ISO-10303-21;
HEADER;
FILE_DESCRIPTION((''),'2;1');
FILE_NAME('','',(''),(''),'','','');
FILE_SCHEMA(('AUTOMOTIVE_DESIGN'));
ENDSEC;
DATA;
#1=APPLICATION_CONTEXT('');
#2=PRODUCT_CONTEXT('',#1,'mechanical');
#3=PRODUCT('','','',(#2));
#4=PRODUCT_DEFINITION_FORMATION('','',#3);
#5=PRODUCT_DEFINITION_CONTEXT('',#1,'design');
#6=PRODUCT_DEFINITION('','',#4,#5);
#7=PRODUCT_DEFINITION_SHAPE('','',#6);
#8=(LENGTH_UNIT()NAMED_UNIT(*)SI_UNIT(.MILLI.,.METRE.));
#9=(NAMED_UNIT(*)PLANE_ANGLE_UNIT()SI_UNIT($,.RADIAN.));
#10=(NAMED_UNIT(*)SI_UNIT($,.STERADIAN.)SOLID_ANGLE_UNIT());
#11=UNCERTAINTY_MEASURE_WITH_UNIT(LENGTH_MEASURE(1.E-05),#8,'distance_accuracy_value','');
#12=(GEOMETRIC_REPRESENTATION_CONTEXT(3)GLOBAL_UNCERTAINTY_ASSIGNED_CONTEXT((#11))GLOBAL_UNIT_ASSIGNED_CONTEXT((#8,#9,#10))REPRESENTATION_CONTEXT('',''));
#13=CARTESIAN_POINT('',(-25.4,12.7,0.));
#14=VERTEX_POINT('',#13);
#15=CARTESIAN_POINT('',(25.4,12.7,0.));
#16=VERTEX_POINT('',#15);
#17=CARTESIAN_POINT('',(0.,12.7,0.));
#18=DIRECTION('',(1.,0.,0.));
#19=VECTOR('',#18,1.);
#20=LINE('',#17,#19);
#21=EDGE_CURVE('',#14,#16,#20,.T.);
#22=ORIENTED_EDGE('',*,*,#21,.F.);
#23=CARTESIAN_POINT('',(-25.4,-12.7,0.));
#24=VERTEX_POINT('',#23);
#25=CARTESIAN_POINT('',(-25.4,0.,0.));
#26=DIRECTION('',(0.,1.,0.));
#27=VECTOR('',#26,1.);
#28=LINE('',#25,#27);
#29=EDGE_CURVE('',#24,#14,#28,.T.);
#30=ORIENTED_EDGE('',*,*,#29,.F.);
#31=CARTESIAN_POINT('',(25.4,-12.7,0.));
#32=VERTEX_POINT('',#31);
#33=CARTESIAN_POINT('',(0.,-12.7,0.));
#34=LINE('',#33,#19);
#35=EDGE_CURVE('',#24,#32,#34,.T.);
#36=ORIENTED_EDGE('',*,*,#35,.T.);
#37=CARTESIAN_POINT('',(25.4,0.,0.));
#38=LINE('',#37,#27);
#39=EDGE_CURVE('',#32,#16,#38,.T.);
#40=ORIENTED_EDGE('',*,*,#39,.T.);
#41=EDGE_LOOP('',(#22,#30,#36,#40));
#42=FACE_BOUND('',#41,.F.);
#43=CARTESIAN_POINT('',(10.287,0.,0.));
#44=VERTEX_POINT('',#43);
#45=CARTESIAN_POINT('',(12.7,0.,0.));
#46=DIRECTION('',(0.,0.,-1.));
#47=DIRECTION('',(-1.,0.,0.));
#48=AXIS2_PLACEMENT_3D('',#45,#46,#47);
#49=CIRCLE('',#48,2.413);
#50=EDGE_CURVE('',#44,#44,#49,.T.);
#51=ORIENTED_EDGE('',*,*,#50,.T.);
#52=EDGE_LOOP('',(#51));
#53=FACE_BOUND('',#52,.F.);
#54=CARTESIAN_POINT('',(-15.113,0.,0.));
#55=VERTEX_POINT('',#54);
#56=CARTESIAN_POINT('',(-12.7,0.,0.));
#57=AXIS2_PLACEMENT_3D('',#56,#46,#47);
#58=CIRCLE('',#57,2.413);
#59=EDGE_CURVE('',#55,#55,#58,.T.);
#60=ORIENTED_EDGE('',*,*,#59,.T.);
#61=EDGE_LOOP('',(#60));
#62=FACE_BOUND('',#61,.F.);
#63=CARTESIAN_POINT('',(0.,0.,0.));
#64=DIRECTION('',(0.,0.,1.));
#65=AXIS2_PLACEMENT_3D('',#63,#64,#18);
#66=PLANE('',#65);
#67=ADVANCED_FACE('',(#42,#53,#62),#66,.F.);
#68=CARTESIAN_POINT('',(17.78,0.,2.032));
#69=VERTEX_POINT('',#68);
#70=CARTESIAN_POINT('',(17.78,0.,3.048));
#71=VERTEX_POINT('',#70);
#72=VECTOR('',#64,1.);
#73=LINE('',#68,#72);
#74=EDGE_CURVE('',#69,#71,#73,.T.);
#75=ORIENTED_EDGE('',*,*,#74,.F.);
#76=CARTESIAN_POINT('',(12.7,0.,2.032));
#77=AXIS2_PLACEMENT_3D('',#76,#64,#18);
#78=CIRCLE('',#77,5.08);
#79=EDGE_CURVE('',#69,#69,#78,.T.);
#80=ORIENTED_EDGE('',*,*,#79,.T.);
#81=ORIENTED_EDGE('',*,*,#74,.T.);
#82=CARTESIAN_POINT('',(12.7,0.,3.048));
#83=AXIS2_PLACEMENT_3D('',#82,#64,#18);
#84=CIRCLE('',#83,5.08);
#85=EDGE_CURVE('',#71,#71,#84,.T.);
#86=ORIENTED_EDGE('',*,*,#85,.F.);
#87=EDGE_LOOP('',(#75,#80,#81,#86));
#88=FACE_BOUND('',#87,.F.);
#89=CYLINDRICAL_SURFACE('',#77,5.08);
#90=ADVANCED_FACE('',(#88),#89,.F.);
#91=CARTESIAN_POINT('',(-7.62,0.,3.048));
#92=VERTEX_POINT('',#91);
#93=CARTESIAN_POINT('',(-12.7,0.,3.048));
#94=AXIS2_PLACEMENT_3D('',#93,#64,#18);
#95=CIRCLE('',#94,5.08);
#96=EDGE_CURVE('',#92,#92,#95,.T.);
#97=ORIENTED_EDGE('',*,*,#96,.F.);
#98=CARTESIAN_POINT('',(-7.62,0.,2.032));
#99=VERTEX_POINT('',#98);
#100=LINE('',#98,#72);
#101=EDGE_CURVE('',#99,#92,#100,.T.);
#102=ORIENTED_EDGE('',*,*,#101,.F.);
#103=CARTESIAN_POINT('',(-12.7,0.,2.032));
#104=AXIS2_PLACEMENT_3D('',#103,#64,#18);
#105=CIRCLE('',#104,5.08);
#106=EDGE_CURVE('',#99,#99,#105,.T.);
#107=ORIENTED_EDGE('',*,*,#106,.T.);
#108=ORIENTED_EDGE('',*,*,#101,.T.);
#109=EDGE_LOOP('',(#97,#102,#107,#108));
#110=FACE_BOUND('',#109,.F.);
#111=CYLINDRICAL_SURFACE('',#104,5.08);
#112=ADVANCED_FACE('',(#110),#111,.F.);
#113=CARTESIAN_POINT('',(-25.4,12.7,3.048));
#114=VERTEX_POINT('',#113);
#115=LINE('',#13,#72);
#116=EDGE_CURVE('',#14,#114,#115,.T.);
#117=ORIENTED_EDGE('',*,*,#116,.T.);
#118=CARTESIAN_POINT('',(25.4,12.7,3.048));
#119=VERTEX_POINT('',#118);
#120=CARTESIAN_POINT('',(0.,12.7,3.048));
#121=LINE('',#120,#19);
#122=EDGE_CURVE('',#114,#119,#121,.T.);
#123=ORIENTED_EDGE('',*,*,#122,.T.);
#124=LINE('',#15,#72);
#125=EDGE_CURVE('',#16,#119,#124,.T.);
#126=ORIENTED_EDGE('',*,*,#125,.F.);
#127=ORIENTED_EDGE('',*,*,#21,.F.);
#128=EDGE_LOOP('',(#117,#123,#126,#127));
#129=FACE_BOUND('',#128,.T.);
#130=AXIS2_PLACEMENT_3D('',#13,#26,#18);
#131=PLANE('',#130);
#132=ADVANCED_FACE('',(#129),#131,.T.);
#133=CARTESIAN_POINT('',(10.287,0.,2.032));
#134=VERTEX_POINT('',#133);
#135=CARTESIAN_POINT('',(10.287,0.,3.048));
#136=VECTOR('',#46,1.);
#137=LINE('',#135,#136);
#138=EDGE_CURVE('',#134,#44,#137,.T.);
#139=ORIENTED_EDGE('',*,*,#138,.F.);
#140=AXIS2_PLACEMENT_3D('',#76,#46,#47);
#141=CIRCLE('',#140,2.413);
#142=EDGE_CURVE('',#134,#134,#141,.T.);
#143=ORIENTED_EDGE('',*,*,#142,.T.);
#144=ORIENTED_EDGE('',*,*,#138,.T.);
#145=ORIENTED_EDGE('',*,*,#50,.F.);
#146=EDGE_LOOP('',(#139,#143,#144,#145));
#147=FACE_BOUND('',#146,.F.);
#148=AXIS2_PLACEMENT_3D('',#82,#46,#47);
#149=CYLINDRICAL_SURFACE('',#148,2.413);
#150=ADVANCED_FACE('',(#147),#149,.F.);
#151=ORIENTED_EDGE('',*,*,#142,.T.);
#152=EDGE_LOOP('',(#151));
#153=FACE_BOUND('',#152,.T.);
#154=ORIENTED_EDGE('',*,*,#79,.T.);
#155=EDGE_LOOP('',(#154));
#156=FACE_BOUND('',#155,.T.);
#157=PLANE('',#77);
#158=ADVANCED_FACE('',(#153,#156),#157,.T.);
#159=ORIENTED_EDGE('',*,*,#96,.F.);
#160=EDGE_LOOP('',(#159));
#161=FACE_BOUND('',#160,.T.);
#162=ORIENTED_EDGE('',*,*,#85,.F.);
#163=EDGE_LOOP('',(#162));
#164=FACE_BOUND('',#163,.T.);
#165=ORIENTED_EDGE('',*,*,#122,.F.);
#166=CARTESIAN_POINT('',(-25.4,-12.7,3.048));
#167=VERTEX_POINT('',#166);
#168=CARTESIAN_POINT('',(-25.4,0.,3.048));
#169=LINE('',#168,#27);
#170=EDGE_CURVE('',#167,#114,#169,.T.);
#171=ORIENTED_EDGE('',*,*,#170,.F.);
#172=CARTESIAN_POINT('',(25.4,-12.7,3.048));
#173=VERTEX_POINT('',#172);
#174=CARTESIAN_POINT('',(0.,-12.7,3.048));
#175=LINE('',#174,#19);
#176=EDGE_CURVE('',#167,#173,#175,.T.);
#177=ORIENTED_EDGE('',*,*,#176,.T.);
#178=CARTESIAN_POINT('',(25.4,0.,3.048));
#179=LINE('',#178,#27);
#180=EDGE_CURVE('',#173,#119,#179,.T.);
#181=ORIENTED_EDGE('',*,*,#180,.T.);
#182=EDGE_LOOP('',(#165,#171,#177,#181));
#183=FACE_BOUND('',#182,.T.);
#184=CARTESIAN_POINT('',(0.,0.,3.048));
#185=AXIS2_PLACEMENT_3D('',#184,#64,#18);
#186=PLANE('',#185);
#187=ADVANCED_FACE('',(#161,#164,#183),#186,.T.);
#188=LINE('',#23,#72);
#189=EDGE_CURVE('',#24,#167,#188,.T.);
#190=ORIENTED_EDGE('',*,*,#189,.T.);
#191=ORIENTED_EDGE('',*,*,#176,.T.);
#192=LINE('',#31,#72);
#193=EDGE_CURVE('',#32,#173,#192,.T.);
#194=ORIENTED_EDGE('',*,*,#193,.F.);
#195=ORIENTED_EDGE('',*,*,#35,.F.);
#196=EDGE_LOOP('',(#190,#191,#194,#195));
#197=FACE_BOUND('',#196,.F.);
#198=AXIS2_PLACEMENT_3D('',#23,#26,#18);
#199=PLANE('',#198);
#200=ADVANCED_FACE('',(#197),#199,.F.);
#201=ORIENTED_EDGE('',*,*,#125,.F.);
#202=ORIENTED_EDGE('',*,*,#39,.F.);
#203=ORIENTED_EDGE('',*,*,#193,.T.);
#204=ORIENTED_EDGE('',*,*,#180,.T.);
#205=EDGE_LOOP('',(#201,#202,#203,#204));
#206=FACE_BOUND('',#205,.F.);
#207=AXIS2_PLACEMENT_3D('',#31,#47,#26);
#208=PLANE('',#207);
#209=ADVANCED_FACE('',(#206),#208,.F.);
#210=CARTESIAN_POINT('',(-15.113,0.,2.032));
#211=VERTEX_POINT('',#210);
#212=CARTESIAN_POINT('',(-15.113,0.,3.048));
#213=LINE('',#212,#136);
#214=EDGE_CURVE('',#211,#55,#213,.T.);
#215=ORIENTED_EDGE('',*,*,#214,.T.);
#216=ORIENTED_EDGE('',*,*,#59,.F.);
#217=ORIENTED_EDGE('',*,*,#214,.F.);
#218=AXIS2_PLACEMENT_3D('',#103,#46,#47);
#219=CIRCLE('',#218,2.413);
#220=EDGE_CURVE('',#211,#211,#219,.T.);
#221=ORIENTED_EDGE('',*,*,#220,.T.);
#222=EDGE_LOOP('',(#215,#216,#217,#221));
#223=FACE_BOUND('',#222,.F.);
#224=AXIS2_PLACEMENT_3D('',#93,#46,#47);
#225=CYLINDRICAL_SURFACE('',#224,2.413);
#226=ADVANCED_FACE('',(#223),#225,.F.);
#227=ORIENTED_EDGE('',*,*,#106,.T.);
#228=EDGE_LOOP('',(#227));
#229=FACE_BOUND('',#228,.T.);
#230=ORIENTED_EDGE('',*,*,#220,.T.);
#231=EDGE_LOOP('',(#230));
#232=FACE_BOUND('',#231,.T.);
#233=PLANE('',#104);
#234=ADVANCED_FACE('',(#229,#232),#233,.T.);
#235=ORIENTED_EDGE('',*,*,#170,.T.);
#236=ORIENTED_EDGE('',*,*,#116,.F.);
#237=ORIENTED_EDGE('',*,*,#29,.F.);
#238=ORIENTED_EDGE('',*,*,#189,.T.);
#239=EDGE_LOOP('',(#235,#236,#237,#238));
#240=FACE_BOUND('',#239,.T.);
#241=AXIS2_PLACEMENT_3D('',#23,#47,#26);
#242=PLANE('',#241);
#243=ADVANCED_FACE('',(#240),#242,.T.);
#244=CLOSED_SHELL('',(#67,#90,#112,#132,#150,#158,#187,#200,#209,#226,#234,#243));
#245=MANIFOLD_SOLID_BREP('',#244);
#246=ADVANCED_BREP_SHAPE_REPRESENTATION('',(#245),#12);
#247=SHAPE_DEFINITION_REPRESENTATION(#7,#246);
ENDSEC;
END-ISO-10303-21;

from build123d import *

# Parameters (mm, degrees)
SKETCH_W         = 50.8
SKETCH_H         = 25.4
PAD_DEPTH        = 3.048
HOLE_D           = 4.826
HOLE_DEPTH       = 635
HOLE_CBORE_D     = 10.16
HOLE_CBORE_DEPTH = 1.016


with BuildPart() as part:
    # Sketch → Pad (new body)
    with BuildSketch(Plane.XY):
        Rectangle(SKETCH_W, SKETCH_H)
    extrude(amount=PAD_DEPTH)

    # Hole
    with Locations(Plane.XY.offset(3.048)):
        with Locations((-12.7, 0), (12.7, 0)):
            CounterBoreHole(HOLE_D / 2, HOLE_CBORE_D / 2, HOLE_CBORE_DEPTH, depth=HOLE_DEPTH)


solid = part.part
